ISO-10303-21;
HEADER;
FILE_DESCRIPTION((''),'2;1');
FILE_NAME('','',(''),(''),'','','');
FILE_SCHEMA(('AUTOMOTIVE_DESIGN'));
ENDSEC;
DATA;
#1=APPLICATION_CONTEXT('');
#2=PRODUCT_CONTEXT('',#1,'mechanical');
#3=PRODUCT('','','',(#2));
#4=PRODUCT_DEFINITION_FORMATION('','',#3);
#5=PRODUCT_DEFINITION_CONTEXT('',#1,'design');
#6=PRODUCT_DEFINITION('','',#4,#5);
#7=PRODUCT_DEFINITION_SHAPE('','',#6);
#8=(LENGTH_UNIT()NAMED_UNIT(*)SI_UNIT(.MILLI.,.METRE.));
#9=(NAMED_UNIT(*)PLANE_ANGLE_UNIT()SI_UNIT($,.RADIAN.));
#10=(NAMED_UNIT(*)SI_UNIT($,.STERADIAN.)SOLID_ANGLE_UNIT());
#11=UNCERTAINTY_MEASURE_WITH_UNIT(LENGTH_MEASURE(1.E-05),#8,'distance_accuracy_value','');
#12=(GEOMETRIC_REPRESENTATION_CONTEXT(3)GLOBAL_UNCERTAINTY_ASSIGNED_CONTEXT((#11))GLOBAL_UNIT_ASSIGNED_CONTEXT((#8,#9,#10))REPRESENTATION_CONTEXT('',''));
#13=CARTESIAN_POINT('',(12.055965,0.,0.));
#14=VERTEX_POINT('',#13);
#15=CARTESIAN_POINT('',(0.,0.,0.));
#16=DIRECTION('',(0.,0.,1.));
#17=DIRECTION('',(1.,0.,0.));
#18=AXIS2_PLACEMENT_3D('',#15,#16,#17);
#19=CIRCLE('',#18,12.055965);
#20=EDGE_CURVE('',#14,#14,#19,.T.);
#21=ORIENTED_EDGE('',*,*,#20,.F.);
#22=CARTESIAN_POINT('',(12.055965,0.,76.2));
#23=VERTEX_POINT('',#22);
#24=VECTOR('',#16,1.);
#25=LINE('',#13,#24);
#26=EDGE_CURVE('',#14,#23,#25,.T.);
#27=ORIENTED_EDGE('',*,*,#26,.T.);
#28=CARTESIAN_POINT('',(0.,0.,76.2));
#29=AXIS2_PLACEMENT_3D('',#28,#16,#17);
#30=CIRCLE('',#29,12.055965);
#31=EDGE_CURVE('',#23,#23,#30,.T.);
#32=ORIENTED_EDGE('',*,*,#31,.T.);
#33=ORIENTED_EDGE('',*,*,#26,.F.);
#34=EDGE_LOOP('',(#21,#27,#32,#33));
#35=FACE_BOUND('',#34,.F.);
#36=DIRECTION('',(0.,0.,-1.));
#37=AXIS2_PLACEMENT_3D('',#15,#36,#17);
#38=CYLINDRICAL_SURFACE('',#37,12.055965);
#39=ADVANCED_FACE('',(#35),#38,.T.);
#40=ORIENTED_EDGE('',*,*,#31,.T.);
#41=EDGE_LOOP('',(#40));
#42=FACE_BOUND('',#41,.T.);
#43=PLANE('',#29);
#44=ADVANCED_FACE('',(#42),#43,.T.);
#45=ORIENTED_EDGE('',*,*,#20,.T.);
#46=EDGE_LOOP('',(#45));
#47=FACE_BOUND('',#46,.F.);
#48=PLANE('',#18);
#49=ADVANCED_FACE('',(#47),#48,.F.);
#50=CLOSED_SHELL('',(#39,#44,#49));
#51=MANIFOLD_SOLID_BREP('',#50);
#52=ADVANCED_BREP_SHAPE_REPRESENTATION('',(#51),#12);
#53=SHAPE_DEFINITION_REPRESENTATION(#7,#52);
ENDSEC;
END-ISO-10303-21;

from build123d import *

# Parameters (mm, degrees)
F0_R     = 12.0559653511
F1_DEPTH = 101.6
F3_DEPTH = 76.2


with BuildPart() as f1:
    # F0 (on Top) → F1 (new body)
    with BuildSketch(Plane.XY):
        Circle(F0_R)
    extrude(amount=F1_DEPTH)


with BuildPart() as f3:
    # F0 (on Top) → F3 (new body)
    with BuildSketch(Plane.XY):
        Circle(F0_R)
    extrude(amount=F3_DEPTH)


solid = f3.part
